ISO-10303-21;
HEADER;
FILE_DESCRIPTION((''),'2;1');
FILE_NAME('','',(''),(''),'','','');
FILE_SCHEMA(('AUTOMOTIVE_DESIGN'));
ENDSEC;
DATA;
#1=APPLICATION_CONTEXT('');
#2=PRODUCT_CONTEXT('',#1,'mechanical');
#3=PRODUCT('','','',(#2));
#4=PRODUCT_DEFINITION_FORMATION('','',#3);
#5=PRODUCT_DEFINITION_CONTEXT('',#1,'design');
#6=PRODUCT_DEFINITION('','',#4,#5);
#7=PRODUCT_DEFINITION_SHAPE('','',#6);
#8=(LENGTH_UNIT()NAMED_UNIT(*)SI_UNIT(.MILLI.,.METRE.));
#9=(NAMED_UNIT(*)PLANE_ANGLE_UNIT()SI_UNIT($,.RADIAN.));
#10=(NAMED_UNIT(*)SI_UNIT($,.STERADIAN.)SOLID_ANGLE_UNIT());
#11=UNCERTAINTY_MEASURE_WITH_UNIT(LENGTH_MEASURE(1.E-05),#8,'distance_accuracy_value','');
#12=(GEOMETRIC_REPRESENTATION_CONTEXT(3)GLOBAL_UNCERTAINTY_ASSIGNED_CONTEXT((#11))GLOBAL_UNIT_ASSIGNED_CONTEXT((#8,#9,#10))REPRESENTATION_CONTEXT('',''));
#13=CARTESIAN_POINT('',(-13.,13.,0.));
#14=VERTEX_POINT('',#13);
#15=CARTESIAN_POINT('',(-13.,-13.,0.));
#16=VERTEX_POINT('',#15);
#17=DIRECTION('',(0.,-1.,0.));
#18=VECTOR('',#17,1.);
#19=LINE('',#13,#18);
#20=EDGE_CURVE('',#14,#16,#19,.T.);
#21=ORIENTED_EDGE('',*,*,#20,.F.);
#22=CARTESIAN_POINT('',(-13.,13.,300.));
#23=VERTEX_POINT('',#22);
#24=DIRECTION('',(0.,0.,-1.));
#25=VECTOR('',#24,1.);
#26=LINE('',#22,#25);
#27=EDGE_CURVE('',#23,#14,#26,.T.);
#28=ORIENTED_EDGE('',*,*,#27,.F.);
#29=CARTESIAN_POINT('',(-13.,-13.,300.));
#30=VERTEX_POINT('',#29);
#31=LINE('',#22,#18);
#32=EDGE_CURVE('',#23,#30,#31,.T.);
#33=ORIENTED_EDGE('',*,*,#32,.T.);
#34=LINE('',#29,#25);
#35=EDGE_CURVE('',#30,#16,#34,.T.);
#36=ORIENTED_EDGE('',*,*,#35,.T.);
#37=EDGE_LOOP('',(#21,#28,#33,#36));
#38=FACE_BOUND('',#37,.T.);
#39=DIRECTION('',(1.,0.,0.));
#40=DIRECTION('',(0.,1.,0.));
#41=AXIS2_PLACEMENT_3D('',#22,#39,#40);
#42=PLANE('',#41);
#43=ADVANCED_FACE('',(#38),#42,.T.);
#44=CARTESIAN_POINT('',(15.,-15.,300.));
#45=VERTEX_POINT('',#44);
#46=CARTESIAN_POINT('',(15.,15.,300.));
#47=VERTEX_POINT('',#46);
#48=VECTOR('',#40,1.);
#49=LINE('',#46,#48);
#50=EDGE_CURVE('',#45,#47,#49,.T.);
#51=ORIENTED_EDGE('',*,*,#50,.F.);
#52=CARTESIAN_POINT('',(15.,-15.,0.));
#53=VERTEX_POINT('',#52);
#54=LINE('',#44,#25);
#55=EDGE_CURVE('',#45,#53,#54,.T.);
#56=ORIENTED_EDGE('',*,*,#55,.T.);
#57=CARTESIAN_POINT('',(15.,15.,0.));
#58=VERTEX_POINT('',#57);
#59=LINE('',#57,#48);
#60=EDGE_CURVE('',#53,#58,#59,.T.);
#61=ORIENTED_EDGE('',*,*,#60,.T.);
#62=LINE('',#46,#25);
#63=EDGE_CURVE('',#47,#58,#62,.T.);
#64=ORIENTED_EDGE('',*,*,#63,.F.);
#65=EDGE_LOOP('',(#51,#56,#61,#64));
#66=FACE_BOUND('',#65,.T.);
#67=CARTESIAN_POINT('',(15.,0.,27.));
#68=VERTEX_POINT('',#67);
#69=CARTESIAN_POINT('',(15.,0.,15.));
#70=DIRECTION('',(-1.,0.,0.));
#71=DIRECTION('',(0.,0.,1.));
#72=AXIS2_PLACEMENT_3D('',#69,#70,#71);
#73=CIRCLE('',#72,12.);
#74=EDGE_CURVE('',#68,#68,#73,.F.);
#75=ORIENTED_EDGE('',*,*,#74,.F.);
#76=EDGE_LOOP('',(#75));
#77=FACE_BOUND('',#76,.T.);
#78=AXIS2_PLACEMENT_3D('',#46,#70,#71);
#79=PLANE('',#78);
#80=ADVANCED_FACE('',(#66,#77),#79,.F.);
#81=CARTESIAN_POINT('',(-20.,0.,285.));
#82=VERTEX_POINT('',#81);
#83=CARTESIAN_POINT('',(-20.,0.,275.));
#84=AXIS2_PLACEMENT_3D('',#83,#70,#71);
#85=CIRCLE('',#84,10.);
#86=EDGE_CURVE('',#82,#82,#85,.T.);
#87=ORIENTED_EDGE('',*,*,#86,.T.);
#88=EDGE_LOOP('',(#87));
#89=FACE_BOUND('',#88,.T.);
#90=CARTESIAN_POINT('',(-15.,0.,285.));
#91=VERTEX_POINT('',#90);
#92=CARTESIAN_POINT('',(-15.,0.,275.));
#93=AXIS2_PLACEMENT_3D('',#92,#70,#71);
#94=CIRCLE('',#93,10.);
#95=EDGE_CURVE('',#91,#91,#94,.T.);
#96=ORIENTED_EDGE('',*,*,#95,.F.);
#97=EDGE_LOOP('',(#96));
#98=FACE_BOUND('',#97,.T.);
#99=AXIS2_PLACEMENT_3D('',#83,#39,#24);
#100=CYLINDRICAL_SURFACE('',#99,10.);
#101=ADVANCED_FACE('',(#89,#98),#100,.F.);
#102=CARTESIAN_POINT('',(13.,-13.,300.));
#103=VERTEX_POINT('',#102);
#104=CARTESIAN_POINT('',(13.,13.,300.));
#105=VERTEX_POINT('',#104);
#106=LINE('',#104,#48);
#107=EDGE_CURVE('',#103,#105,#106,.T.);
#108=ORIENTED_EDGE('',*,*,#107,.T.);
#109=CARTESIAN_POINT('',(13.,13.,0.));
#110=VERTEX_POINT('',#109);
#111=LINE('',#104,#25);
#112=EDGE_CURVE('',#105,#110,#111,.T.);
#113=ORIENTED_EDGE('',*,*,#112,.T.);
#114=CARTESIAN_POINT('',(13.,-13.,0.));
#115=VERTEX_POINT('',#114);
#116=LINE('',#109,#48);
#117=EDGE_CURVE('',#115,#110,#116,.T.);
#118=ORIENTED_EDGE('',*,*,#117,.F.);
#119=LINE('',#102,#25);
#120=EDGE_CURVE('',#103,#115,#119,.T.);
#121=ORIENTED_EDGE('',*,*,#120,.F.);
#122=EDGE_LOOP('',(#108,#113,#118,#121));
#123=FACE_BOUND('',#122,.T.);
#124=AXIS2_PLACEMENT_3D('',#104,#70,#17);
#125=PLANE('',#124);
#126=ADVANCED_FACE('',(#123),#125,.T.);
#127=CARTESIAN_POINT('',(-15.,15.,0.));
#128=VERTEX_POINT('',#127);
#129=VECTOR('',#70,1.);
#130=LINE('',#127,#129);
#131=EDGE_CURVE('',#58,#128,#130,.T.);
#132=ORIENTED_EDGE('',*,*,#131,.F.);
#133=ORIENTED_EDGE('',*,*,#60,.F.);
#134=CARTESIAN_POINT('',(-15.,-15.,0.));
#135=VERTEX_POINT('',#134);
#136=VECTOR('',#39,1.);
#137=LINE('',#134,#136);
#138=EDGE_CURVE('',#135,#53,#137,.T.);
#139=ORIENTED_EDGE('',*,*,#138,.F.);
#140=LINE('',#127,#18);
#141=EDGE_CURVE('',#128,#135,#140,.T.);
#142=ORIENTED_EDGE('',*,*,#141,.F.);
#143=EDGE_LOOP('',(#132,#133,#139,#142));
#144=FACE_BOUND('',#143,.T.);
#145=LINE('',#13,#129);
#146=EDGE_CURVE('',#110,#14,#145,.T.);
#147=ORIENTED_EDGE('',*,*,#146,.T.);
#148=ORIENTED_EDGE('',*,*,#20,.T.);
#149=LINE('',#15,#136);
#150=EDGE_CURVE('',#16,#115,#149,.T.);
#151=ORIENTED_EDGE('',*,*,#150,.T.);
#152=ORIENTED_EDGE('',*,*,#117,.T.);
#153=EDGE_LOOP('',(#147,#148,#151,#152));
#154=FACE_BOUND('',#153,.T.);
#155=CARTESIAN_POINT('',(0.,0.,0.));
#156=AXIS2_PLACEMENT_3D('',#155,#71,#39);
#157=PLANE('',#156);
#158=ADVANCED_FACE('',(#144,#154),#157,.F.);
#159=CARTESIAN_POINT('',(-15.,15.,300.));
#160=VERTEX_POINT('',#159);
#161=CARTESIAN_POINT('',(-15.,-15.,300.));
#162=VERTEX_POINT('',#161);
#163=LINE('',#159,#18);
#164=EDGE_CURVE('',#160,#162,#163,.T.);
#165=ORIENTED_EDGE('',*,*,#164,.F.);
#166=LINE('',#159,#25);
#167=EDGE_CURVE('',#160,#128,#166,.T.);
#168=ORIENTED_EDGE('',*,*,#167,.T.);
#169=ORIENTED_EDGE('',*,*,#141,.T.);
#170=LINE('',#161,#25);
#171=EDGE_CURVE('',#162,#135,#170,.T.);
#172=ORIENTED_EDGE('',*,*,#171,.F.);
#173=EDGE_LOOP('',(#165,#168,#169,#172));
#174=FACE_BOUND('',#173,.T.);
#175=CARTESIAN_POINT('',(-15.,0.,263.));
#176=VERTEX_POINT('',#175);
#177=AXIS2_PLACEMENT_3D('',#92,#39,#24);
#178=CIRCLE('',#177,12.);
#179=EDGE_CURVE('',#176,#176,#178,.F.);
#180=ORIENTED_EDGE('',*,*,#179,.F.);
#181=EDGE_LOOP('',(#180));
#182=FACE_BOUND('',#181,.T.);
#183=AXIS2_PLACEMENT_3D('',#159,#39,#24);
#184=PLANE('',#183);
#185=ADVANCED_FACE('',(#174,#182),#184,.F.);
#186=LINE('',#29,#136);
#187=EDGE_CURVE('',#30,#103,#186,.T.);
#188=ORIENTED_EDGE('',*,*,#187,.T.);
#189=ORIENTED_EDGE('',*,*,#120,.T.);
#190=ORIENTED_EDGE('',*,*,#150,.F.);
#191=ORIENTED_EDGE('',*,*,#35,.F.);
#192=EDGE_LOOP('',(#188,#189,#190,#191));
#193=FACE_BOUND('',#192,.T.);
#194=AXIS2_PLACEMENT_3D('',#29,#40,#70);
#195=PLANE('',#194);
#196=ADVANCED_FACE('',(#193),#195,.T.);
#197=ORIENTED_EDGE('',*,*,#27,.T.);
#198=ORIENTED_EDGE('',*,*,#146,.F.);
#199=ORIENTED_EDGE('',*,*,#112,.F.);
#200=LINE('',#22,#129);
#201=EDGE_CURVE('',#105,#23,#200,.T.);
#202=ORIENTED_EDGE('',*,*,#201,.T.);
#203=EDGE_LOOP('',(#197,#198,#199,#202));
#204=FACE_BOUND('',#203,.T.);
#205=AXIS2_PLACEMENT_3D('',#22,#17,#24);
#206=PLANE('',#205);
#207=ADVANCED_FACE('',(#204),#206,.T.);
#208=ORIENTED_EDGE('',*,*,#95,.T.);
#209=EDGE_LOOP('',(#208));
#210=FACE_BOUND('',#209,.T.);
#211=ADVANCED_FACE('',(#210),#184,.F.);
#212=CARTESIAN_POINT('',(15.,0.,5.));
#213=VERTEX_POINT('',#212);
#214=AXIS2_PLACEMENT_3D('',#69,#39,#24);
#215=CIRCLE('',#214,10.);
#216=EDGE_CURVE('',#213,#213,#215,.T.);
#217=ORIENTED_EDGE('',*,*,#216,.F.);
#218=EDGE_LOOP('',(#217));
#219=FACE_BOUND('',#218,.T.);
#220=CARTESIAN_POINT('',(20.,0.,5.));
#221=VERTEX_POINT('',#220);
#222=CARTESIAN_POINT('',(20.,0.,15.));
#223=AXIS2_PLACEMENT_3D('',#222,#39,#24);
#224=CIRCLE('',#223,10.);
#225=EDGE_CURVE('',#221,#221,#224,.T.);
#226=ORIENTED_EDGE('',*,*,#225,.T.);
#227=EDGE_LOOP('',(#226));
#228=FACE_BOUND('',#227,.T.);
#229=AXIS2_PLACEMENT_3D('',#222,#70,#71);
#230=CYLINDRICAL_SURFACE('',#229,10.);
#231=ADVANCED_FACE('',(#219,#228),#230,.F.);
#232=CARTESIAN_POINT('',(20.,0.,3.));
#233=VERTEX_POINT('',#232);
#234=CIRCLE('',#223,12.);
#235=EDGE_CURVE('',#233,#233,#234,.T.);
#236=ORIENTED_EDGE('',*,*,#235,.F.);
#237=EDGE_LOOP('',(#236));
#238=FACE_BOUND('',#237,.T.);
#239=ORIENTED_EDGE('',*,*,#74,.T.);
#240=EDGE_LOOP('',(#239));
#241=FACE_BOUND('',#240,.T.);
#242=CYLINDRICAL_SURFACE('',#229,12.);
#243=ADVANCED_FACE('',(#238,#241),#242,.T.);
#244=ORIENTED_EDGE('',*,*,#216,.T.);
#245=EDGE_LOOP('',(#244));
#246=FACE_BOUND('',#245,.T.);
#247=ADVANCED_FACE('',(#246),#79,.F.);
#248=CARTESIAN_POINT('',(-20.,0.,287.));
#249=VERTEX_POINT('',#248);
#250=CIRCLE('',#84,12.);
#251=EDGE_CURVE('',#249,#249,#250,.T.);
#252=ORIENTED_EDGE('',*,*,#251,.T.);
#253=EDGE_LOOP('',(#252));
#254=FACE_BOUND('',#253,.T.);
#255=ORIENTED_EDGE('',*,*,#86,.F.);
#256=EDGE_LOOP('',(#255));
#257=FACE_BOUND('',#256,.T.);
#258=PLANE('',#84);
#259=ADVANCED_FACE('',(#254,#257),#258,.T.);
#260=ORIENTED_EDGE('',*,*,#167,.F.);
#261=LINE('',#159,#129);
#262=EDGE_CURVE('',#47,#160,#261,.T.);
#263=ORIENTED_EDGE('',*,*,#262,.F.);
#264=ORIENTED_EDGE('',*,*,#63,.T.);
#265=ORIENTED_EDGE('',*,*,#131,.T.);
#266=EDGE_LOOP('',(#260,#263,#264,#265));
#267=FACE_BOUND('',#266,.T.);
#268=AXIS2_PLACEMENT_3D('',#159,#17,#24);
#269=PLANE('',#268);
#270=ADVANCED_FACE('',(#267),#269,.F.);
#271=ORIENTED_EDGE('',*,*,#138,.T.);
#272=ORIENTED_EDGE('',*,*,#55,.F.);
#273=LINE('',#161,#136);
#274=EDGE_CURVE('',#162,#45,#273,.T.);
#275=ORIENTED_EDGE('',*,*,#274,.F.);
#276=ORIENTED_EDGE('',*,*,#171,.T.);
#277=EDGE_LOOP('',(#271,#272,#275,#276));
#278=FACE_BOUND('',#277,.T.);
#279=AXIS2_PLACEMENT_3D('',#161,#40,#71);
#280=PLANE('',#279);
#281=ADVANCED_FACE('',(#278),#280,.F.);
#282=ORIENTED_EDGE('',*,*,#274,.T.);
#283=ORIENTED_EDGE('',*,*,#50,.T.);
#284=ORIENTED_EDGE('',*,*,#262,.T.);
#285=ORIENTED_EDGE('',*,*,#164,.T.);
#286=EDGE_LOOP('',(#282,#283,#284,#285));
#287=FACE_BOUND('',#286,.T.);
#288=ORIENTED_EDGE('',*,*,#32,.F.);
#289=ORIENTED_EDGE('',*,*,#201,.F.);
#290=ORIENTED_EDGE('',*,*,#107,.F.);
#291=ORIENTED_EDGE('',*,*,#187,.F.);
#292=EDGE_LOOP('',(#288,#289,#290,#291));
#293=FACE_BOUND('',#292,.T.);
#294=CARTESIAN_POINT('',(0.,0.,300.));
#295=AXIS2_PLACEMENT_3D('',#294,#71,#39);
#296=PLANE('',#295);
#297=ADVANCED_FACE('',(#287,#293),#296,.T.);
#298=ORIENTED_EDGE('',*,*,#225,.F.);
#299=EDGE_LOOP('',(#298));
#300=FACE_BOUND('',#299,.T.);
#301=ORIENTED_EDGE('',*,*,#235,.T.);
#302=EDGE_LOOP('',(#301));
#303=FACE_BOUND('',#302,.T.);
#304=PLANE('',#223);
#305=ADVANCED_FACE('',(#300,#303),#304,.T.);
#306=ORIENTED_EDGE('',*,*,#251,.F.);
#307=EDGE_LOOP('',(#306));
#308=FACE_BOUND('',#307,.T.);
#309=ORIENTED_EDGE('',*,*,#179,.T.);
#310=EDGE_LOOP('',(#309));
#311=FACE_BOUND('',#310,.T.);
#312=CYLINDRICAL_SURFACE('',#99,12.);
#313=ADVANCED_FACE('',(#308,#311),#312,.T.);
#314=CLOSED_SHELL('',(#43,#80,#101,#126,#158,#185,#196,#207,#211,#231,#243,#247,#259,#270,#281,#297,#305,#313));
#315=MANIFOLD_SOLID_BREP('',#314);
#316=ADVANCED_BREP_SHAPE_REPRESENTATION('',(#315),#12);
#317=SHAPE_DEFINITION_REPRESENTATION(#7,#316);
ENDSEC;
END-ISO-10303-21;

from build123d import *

# Parameters (mm, degrees)
SKETCH1_W           = 30
SKETCH1_H           = 30
SKETCH1_W_2         = 26
SKETCH1_H_2         = 26
BOSS_EXTRUDE1_DEPTH = 300
SKETCH2_R           = 12
SKETCH2_R_2         = 10
BOSS_EXTRUDE2_DEPTH = 5
SKETCH3_R           = 12
SKETCH3_R_2         = 10
BOSS_EXTRUDE3_DEPTH = 5


with BuildPart() as part:
    # Sketch1 → Boss-Extrude1 (new body)
    with BuildSketch(Plane.XY):
        Rectangle(SKETCH1_W, SKETCH1_H)
        Rectangle(SKETCH1_W_2, SKETCH1_H_2, mode=Mode.SUBTRACT)
    extrude(amount=BOSS_EXTRUDE1_DEPTH)

    # Sketch2 → Boss-Extrude2 (add)
    with BuildSketch(Plane(origin=(15, 0, 0), x_dir=(0, 0, -1), z_dir=(1, 0, 0))):
        with Locations(Location((-15, 0, 0), (0, 0, 180))):
            Circle(SKETCH2_R)
        with Locations((-15, 0)):
            Circle(SKETCH2_R_2, mode=Mode.SUBTRACT)
    extrude(amount=BOSS_EXTRUDE2_DEPTH)

    # Sketch3 → Boss-Extrude3 (add)
    with BuildSketch(Plane.ZY.offset(15)):
        with Locations(Location((275, 0, 0), (0, 0, 180))):
            Circle(SKETCH3_R)
        with Locations((275, 0)):
            Circle(SKETCH3_R_2, mode=Mode.SUBTRACT)
    extrude(amount=BOSS_EXTRUDE3_DEPTH)


solid = part.part
